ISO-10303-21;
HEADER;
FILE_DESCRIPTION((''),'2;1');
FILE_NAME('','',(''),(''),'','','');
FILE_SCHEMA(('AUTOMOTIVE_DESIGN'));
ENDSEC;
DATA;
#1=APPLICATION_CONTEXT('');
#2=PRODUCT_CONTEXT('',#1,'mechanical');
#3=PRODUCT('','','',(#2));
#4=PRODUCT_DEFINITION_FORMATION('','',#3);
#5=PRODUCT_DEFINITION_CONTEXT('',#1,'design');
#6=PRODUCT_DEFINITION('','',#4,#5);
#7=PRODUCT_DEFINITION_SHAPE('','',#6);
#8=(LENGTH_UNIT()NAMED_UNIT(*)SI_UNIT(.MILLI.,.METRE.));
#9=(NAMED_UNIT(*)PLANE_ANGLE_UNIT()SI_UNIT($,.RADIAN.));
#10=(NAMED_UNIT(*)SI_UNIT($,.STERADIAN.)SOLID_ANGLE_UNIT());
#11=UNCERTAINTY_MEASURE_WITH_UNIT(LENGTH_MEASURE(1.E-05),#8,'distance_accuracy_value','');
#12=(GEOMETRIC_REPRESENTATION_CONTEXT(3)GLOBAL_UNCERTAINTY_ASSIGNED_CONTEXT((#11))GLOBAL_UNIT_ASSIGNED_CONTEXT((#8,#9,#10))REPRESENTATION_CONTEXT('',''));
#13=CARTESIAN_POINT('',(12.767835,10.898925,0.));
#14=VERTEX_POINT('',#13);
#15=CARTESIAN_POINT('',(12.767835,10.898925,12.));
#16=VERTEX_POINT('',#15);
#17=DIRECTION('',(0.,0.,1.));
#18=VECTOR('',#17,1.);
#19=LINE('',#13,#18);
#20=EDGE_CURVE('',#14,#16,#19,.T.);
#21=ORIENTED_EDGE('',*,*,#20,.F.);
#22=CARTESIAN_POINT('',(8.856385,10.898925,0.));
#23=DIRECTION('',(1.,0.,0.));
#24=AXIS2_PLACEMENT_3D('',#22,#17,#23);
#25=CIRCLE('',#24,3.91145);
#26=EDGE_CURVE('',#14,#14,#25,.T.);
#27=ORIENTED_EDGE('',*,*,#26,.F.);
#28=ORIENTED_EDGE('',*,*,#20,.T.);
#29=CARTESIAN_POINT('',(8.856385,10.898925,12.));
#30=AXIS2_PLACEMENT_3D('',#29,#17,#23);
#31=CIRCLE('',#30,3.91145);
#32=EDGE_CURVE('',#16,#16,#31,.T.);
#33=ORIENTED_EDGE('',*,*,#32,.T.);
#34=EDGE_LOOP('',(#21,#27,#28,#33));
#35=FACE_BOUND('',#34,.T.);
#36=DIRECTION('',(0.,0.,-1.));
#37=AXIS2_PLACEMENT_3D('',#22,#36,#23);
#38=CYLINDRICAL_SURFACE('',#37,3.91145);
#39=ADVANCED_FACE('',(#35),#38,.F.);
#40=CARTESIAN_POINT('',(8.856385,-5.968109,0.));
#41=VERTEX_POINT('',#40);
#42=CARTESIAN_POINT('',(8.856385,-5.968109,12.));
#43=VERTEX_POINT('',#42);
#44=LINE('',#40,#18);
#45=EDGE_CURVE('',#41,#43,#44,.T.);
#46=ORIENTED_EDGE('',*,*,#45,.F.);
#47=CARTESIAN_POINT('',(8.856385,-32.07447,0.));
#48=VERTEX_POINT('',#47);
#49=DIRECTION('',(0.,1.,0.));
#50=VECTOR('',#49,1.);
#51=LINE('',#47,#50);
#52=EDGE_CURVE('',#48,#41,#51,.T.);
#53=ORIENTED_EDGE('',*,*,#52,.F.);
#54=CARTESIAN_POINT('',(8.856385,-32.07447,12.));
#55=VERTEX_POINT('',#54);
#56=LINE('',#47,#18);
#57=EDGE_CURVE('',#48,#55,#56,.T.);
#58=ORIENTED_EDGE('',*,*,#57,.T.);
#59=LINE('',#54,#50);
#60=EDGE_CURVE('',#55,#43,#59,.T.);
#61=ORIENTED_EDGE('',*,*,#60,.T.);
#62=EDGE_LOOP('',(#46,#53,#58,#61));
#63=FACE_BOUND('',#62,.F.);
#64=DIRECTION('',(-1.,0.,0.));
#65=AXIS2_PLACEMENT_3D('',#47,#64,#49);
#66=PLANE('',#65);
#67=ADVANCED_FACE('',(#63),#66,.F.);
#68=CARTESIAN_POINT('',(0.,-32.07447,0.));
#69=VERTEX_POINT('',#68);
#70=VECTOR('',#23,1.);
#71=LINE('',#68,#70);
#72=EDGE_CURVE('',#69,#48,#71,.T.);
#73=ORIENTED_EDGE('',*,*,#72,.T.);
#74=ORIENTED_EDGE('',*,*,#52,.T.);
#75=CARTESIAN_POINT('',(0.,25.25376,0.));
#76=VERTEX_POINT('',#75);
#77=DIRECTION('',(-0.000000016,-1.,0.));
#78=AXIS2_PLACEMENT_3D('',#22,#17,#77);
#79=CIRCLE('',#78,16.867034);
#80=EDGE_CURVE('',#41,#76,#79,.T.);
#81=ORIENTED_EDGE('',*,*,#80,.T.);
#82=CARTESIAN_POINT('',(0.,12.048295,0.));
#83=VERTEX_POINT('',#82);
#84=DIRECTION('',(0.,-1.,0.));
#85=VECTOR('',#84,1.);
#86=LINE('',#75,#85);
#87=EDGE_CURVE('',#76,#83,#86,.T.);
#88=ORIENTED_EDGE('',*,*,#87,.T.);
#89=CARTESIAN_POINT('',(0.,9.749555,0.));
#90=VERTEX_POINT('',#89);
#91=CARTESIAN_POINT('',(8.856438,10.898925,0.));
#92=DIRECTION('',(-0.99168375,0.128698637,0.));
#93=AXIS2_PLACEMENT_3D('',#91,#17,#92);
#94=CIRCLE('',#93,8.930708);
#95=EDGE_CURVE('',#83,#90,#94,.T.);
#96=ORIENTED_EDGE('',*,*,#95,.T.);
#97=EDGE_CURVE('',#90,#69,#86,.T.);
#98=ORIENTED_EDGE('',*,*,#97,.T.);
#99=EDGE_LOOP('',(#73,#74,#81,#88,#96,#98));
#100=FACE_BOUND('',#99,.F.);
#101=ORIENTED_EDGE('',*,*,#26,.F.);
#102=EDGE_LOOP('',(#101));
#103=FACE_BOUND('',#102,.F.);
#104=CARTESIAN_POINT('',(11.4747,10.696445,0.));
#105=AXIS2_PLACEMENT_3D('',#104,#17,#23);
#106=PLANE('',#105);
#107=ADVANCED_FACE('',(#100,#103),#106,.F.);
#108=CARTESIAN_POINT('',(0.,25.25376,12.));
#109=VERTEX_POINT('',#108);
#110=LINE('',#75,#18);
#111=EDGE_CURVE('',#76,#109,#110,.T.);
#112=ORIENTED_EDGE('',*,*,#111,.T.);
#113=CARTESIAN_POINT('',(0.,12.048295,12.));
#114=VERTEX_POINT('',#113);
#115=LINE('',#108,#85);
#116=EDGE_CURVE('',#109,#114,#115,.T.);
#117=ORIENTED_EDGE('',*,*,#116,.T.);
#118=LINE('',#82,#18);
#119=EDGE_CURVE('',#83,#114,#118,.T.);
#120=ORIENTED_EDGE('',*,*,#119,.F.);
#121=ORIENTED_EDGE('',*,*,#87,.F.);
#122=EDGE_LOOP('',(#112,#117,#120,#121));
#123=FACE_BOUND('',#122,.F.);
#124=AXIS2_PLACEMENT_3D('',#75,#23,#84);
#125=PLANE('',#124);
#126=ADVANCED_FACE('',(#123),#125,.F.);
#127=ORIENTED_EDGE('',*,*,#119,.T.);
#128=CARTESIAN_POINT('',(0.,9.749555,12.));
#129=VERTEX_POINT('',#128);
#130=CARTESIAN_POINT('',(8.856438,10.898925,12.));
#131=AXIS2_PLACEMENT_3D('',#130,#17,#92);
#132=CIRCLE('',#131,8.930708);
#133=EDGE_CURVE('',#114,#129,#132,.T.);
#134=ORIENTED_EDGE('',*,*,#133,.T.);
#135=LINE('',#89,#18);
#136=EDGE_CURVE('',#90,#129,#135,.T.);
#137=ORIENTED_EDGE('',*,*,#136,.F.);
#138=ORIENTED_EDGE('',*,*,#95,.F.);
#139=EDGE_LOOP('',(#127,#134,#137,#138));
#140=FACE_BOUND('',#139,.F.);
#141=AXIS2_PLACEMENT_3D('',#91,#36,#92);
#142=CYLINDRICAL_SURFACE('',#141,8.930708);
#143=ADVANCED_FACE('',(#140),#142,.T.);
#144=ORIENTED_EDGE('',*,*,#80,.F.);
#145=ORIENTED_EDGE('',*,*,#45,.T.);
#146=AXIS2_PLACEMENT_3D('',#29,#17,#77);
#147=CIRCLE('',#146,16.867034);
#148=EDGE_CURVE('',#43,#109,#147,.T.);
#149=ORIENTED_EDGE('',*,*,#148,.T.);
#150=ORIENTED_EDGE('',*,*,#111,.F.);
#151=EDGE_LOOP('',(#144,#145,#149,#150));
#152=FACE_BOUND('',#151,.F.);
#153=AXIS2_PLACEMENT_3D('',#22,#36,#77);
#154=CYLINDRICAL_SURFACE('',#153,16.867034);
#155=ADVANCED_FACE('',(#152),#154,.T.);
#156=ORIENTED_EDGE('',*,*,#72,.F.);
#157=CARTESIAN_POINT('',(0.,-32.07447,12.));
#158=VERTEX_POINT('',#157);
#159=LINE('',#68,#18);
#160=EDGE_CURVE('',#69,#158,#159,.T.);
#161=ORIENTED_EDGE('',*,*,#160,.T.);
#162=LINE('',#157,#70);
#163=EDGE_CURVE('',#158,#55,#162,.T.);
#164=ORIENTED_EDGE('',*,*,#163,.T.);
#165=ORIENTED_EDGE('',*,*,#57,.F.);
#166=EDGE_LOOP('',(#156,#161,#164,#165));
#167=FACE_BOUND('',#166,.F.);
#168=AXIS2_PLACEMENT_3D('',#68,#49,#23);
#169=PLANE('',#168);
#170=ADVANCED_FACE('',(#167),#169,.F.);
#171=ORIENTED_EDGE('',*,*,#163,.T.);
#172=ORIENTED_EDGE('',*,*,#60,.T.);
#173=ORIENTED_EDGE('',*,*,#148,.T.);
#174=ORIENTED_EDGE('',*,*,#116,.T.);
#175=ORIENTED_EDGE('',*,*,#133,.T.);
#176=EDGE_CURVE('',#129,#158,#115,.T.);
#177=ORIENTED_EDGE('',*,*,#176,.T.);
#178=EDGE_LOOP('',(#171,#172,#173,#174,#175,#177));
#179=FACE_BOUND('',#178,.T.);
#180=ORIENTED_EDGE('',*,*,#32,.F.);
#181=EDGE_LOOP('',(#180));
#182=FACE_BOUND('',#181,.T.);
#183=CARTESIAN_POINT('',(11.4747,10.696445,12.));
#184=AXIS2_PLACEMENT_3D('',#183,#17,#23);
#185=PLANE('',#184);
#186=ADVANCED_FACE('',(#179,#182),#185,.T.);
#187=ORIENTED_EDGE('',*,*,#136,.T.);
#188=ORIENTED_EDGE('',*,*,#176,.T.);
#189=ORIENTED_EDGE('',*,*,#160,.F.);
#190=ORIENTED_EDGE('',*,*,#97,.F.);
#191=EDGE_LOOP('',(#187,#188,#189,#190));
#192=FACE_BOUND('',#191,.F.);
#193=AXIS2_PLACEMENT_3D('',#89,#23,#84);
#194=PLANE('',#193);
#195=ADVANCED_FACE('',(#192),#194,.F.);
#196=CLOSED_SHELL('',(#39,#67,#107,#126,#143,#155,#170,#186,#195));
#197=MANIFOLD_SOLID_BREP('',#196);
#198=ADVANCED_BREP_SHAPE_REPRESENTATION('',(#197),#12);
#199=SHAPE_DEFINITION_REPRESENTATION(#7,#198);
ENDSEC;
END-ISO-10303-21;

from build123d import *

# Parameters (mm, degrees)
F0_R     = 3.91145
F1_DEPTH = 12


with BuildPart() as f1:
    # F0 (on Top) → F1 (new body)
    with BuildSketch(Plane.XY):
        with BuildLine():
            Line((0, 2.632979), (0, 0))
            Line((0, 0), (0, -3.45591))
            ThreePointArc((0, -3.45591), (4.253486, -5.327909), (8.856385, -5.968109))
            ThreePointArc((8.856385, -5.968109), (25.08322, 15.501824), (0, 25.25376))
            Line((0, 25.25376), (0, 17.454625))
            ThreePointArc((0, 17.454625), (19.875131, 10.898925), (0, 4.343226))
            Line((0, 4.343226), (0, 2.632979))
        make_face()
        with BuildLine():
            ThreePointArc((8.856385, -5.968109), (4.253486, -5.327909), (0, -3.45591))
            Line((0, -3.45591), (0, -32.07447))
            Line((0, -32.07447), (8.856385, -32.07447))
            Line((8.856385, -32.07447), (8.856385, -5.968109))
        make_face()
        with BuildLine():
            Line((0, 9.749555), (0, 4.343226))
            ThreePointArc((0, 4.343226), (19.875131, 10.898925), (0, 17.454625))
            Line((0, 17.454625), (0, 12.048295))
            Line((0, 12.048295), (0, 9.749555))
        make_face()
        with Locations((8.856385, 10.898925)):
            Circle(F0_R, mode=Mode.SUBTRACT)
        with BuildLine():
            ThreePointArc((0, 12.048295), (-0.07427, 10.898925), (0, 9.749555))
            Line((0, 9.749555), (0, 12.048295))
        make_face()
    extrude(amount=F1_DEPTH)


solid = f1.part
